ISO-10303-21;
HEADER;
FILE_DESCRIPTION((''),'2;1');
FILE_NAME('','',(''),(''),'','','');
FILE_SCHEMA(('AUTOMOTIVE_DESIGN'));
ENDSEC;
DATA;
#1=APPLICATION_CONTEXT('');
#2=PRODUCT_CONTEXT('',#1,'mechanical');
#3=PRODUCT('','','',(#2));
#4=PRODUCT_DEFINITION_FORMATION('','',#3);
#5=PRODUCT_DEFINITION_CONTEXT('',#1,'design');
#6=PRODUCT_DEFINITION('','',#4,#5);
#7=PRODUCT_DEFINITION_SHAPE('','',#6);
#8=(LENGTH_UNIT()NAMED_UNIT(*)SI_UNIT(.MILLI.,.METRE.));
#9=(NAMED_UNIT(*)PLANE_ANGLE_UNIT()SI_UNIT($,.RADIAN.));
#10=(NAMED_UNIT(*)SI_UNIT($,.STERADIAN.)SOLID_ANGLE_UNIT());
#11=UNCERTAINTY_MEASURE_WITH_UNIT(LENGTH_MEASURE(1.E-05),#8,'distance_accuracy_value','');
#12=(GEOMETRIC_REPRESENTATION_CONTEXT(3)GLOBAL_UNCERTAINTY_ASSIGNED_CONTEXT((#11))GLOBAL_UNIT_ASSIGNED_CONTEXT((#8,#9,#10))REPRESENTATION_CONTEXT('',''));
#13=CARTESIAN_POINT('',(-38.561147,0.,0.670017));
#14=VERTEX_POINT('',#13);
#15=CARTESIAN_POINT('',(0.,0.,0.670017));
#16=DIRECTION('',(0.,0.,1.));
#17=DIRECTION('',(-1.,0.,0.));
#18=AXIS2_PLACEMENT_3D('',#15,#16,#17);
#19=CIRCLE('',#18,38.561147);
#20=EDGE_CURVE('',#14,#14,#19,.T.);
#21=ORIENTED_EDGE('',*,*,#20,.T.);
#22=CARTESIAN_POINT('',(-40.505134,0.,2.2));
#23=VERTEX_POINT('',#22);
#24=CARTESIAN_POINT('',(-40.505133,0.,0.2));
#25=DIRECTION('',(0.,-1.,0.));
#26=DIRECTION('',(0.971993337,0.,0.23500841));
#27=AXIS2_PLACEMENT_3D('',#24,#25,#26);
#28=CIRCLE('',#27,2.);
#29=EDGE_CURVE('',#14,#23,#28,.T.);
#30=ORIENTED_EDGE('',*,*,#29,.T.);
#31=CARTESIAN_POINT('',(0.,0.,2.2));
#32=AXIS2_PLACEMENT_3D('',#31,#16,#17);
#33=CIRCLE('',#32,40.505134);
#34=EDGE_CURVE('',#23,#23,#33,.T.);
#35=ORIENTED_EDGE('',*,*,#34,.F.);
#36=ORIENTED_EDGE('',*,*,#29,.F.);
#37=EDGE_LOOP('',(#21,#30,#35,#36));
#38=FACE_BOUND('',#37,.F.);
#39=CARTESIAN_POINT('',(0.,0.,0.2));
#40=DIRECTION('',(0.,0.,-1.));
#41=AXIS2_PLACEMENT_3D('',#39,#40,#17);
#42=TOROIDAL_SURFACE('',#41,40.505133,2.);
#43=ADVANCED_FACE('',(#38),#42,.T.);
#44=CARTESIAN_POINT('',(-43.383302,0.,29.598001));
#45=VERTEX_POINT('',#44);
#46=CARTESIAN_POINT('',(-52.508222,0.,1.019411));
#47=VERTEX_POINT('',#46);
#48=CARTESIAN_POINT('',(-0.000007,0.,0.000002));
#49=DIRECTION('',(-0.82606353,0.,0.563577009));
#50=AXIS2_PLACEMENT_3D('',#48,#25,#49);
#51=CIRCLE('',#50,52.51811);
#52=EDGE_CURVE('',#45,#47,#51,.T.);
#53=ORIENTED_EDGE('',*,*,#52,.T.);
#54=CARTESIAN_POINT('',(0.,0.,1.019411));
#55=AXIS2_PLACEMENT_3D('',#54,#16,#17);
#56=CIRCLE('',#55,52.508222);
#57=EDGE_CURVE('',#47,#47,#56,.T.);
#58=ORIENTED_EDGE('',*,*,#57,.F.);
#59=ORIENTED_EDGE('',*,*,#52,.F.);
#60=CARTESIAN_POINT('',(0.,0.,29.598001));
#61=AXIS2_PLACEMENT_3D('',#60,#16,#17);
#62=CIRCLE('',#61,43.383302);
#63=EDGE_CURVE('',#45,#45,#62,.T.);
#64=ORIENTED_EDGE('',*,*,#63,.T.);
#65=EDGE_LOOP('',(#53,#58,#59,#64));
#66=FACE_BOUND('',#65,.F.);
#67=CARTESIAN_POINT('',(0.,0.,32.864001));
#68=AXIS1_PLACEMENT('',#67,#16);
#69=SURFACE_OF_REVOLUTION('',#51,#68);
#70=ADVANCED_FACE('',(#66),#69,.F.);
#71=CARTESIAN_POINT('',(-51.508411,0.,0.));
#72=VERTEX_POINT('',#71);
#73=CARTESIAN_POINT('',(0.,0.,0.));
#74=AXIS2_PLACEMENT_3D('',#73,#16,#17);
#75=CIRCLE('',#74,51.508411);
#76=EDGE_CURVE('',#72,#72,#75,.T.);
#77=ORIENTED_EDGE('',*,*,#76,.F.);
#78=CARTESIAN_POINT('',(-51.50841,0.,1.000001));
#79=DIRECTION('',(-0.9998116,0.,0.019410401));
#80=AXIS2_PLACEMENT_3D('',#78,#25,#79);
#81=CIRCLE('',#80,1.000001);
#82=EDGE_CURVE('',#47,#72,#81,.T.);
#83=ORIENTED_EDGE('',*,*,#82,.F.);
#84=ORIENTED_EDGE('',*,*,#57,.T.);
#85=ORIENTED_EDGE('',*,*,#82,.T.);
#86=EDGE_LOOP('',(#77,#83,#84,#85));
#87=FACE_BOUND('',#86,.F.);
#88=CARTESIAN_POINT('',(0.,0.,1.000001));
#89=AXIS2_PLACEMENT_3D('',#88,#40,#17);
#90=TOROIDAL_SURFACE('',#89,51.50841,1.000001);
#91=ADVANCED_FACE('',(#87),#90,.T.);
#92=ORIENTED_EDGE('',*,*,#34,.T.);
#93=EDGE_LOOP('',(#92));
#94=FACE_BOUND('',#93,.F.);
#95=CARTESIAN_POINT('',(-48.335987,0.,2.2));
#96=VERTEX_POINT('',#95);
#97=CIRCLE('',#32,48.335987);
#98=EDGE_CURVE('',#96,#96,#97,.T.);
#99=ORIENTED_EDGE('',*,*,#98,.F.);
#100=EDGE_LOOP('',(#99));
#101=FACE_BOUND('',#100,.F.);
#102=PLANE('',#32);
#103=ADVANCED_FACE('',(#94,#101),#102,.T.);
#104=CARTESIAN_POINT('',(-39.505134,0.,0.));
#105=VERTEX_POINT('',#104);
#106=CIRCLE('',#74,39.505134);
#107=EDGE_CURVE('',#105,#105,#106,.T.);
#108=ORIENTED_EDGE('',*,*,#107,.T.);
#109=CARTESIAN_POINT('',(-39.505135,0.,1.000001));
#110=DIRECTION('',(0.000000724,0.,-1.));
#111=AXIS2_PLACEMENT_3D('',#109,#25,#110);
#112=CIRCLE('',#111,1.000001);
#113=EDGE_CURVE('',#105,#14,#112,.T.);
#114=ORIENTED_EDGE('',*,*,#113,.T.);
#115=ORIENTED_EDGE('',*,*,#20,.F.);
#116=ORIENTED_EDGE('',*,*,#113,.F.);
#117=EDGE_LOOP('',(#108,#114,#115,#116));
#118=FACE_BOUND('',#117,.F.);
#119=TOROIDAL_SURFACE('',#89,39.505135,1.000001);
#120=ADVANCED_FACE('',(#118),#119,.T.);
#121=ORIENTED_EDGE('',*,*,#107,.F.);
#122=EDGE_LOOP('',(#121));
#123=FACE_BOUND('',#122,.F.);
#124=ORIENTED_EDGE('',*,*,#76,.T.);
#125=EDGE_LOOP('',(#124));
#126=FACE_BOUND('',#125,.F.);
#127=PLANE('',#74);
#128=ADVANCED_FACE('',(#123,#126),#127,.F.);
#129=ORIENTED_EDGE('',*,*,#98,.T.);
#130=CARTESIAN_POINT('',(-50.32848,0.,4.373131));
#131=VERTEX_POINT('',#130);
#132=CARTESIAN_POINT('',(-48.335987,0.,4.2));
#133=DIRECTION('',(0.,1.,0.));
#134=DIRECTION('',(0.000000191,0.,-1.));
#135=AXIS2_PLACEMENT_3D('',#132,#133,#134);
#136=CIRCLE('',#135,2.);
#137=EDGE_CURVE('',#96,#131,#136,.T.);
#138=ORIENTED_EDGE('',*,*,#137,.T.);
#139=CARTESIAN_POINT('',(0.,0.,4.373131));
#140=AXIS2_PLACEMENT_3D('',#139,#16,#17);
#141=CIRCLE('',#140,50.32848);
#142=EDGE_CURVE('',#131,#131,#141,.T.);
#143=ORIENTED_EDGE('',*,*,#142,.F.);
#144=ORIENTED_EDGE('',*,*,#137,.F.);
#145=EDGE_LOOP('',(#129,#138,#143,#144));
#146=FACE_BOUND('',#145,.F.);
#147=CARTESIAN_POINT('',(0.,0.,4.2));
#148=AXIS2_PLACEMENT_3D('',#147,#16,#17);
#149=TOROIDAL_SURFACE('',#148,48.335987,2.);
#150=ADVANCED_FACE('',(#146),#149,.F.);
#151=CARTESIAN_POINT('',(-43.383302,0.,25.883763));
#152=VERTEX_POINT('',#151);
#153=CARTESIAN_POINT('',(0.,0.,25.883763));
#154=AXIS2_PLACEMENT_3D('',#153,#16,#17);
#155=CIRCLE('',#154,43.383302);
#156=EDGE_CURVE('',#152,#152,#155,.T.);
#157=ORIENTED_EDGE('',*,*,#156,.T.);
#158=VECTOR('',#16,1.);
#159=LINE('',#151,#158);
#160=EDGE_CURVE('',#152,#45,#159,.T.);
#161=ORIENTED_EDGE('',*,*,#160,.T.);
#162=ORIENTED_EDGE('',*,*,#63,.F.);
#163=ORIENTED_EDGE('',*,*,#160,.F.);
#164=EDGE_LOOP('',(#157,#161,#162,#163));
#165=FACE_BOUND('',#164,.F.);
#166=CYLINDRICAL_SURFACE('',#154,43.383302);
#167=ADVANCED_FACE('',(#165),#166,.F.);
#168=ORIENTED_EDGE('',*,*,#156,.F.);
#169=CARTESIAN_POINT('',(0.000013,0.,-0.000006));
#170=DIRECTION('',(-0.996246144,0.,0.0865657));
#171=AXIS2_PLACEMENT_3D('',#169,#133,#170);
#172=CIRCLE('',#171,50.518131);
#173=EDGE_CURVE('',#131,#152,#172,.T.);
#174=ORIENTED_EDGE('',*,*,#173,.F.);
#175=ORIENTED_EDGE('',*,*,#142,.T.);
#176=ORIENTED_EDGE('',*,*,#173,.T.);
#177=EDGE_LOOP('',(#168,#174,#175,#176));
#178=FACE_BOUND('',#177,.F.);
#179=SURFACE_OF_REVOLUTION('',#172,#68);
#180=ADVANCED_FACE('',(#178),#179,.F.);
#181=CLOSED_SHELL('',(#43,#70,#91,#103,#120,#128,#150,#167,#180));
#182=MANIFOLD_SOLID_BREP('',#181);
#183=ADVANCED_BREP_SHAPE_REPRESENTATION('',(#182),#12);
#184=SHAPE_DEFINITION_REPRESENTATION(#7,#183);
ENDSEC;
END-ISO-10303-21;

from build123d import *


with BuildPart() as f1:
    # F0 (on Front) → F1 (revolve)
    with BuildSketch(Plane.XZ):
        with BuildLine():
            Line((-43.383302, 25.883763), (-43.383302, 29.598001))
            ThreePointArc((-43.383302, 29.598001), (-50.029792, 15.97412), (-52.508222, 1.019411))
            ThreePointArc((-52.508222, 1.019411), (-52.222347, 0.29979), (-51.508411, 0))
            Line((-51.508411, 0), (-39.505134, 0))
            ThreePointArc((-39.505134, 0), (-38.926335, 0.18453), (-38.561147, 0.670017))
            ThreePointArc((-38.561147, 0.670017), (-39.268209, 1.771629), (-40.505134, 2.2))
            Line((-40.505134, 2.2), (-48.335987, 2.2))
            ThreePointArc((-48.335987, 2.2), (-49.810142, 2.848383), (-50.32848, 4.373131))
            ThreePointArc((-50.32848, 4.373131), (-48.074435, 15.521881), (-43.383302, 25.883763))
        make_face()
    revolve(axis=Axis((0, 0, 32.864001), (0, 0, 1)))


solid = f1.part
